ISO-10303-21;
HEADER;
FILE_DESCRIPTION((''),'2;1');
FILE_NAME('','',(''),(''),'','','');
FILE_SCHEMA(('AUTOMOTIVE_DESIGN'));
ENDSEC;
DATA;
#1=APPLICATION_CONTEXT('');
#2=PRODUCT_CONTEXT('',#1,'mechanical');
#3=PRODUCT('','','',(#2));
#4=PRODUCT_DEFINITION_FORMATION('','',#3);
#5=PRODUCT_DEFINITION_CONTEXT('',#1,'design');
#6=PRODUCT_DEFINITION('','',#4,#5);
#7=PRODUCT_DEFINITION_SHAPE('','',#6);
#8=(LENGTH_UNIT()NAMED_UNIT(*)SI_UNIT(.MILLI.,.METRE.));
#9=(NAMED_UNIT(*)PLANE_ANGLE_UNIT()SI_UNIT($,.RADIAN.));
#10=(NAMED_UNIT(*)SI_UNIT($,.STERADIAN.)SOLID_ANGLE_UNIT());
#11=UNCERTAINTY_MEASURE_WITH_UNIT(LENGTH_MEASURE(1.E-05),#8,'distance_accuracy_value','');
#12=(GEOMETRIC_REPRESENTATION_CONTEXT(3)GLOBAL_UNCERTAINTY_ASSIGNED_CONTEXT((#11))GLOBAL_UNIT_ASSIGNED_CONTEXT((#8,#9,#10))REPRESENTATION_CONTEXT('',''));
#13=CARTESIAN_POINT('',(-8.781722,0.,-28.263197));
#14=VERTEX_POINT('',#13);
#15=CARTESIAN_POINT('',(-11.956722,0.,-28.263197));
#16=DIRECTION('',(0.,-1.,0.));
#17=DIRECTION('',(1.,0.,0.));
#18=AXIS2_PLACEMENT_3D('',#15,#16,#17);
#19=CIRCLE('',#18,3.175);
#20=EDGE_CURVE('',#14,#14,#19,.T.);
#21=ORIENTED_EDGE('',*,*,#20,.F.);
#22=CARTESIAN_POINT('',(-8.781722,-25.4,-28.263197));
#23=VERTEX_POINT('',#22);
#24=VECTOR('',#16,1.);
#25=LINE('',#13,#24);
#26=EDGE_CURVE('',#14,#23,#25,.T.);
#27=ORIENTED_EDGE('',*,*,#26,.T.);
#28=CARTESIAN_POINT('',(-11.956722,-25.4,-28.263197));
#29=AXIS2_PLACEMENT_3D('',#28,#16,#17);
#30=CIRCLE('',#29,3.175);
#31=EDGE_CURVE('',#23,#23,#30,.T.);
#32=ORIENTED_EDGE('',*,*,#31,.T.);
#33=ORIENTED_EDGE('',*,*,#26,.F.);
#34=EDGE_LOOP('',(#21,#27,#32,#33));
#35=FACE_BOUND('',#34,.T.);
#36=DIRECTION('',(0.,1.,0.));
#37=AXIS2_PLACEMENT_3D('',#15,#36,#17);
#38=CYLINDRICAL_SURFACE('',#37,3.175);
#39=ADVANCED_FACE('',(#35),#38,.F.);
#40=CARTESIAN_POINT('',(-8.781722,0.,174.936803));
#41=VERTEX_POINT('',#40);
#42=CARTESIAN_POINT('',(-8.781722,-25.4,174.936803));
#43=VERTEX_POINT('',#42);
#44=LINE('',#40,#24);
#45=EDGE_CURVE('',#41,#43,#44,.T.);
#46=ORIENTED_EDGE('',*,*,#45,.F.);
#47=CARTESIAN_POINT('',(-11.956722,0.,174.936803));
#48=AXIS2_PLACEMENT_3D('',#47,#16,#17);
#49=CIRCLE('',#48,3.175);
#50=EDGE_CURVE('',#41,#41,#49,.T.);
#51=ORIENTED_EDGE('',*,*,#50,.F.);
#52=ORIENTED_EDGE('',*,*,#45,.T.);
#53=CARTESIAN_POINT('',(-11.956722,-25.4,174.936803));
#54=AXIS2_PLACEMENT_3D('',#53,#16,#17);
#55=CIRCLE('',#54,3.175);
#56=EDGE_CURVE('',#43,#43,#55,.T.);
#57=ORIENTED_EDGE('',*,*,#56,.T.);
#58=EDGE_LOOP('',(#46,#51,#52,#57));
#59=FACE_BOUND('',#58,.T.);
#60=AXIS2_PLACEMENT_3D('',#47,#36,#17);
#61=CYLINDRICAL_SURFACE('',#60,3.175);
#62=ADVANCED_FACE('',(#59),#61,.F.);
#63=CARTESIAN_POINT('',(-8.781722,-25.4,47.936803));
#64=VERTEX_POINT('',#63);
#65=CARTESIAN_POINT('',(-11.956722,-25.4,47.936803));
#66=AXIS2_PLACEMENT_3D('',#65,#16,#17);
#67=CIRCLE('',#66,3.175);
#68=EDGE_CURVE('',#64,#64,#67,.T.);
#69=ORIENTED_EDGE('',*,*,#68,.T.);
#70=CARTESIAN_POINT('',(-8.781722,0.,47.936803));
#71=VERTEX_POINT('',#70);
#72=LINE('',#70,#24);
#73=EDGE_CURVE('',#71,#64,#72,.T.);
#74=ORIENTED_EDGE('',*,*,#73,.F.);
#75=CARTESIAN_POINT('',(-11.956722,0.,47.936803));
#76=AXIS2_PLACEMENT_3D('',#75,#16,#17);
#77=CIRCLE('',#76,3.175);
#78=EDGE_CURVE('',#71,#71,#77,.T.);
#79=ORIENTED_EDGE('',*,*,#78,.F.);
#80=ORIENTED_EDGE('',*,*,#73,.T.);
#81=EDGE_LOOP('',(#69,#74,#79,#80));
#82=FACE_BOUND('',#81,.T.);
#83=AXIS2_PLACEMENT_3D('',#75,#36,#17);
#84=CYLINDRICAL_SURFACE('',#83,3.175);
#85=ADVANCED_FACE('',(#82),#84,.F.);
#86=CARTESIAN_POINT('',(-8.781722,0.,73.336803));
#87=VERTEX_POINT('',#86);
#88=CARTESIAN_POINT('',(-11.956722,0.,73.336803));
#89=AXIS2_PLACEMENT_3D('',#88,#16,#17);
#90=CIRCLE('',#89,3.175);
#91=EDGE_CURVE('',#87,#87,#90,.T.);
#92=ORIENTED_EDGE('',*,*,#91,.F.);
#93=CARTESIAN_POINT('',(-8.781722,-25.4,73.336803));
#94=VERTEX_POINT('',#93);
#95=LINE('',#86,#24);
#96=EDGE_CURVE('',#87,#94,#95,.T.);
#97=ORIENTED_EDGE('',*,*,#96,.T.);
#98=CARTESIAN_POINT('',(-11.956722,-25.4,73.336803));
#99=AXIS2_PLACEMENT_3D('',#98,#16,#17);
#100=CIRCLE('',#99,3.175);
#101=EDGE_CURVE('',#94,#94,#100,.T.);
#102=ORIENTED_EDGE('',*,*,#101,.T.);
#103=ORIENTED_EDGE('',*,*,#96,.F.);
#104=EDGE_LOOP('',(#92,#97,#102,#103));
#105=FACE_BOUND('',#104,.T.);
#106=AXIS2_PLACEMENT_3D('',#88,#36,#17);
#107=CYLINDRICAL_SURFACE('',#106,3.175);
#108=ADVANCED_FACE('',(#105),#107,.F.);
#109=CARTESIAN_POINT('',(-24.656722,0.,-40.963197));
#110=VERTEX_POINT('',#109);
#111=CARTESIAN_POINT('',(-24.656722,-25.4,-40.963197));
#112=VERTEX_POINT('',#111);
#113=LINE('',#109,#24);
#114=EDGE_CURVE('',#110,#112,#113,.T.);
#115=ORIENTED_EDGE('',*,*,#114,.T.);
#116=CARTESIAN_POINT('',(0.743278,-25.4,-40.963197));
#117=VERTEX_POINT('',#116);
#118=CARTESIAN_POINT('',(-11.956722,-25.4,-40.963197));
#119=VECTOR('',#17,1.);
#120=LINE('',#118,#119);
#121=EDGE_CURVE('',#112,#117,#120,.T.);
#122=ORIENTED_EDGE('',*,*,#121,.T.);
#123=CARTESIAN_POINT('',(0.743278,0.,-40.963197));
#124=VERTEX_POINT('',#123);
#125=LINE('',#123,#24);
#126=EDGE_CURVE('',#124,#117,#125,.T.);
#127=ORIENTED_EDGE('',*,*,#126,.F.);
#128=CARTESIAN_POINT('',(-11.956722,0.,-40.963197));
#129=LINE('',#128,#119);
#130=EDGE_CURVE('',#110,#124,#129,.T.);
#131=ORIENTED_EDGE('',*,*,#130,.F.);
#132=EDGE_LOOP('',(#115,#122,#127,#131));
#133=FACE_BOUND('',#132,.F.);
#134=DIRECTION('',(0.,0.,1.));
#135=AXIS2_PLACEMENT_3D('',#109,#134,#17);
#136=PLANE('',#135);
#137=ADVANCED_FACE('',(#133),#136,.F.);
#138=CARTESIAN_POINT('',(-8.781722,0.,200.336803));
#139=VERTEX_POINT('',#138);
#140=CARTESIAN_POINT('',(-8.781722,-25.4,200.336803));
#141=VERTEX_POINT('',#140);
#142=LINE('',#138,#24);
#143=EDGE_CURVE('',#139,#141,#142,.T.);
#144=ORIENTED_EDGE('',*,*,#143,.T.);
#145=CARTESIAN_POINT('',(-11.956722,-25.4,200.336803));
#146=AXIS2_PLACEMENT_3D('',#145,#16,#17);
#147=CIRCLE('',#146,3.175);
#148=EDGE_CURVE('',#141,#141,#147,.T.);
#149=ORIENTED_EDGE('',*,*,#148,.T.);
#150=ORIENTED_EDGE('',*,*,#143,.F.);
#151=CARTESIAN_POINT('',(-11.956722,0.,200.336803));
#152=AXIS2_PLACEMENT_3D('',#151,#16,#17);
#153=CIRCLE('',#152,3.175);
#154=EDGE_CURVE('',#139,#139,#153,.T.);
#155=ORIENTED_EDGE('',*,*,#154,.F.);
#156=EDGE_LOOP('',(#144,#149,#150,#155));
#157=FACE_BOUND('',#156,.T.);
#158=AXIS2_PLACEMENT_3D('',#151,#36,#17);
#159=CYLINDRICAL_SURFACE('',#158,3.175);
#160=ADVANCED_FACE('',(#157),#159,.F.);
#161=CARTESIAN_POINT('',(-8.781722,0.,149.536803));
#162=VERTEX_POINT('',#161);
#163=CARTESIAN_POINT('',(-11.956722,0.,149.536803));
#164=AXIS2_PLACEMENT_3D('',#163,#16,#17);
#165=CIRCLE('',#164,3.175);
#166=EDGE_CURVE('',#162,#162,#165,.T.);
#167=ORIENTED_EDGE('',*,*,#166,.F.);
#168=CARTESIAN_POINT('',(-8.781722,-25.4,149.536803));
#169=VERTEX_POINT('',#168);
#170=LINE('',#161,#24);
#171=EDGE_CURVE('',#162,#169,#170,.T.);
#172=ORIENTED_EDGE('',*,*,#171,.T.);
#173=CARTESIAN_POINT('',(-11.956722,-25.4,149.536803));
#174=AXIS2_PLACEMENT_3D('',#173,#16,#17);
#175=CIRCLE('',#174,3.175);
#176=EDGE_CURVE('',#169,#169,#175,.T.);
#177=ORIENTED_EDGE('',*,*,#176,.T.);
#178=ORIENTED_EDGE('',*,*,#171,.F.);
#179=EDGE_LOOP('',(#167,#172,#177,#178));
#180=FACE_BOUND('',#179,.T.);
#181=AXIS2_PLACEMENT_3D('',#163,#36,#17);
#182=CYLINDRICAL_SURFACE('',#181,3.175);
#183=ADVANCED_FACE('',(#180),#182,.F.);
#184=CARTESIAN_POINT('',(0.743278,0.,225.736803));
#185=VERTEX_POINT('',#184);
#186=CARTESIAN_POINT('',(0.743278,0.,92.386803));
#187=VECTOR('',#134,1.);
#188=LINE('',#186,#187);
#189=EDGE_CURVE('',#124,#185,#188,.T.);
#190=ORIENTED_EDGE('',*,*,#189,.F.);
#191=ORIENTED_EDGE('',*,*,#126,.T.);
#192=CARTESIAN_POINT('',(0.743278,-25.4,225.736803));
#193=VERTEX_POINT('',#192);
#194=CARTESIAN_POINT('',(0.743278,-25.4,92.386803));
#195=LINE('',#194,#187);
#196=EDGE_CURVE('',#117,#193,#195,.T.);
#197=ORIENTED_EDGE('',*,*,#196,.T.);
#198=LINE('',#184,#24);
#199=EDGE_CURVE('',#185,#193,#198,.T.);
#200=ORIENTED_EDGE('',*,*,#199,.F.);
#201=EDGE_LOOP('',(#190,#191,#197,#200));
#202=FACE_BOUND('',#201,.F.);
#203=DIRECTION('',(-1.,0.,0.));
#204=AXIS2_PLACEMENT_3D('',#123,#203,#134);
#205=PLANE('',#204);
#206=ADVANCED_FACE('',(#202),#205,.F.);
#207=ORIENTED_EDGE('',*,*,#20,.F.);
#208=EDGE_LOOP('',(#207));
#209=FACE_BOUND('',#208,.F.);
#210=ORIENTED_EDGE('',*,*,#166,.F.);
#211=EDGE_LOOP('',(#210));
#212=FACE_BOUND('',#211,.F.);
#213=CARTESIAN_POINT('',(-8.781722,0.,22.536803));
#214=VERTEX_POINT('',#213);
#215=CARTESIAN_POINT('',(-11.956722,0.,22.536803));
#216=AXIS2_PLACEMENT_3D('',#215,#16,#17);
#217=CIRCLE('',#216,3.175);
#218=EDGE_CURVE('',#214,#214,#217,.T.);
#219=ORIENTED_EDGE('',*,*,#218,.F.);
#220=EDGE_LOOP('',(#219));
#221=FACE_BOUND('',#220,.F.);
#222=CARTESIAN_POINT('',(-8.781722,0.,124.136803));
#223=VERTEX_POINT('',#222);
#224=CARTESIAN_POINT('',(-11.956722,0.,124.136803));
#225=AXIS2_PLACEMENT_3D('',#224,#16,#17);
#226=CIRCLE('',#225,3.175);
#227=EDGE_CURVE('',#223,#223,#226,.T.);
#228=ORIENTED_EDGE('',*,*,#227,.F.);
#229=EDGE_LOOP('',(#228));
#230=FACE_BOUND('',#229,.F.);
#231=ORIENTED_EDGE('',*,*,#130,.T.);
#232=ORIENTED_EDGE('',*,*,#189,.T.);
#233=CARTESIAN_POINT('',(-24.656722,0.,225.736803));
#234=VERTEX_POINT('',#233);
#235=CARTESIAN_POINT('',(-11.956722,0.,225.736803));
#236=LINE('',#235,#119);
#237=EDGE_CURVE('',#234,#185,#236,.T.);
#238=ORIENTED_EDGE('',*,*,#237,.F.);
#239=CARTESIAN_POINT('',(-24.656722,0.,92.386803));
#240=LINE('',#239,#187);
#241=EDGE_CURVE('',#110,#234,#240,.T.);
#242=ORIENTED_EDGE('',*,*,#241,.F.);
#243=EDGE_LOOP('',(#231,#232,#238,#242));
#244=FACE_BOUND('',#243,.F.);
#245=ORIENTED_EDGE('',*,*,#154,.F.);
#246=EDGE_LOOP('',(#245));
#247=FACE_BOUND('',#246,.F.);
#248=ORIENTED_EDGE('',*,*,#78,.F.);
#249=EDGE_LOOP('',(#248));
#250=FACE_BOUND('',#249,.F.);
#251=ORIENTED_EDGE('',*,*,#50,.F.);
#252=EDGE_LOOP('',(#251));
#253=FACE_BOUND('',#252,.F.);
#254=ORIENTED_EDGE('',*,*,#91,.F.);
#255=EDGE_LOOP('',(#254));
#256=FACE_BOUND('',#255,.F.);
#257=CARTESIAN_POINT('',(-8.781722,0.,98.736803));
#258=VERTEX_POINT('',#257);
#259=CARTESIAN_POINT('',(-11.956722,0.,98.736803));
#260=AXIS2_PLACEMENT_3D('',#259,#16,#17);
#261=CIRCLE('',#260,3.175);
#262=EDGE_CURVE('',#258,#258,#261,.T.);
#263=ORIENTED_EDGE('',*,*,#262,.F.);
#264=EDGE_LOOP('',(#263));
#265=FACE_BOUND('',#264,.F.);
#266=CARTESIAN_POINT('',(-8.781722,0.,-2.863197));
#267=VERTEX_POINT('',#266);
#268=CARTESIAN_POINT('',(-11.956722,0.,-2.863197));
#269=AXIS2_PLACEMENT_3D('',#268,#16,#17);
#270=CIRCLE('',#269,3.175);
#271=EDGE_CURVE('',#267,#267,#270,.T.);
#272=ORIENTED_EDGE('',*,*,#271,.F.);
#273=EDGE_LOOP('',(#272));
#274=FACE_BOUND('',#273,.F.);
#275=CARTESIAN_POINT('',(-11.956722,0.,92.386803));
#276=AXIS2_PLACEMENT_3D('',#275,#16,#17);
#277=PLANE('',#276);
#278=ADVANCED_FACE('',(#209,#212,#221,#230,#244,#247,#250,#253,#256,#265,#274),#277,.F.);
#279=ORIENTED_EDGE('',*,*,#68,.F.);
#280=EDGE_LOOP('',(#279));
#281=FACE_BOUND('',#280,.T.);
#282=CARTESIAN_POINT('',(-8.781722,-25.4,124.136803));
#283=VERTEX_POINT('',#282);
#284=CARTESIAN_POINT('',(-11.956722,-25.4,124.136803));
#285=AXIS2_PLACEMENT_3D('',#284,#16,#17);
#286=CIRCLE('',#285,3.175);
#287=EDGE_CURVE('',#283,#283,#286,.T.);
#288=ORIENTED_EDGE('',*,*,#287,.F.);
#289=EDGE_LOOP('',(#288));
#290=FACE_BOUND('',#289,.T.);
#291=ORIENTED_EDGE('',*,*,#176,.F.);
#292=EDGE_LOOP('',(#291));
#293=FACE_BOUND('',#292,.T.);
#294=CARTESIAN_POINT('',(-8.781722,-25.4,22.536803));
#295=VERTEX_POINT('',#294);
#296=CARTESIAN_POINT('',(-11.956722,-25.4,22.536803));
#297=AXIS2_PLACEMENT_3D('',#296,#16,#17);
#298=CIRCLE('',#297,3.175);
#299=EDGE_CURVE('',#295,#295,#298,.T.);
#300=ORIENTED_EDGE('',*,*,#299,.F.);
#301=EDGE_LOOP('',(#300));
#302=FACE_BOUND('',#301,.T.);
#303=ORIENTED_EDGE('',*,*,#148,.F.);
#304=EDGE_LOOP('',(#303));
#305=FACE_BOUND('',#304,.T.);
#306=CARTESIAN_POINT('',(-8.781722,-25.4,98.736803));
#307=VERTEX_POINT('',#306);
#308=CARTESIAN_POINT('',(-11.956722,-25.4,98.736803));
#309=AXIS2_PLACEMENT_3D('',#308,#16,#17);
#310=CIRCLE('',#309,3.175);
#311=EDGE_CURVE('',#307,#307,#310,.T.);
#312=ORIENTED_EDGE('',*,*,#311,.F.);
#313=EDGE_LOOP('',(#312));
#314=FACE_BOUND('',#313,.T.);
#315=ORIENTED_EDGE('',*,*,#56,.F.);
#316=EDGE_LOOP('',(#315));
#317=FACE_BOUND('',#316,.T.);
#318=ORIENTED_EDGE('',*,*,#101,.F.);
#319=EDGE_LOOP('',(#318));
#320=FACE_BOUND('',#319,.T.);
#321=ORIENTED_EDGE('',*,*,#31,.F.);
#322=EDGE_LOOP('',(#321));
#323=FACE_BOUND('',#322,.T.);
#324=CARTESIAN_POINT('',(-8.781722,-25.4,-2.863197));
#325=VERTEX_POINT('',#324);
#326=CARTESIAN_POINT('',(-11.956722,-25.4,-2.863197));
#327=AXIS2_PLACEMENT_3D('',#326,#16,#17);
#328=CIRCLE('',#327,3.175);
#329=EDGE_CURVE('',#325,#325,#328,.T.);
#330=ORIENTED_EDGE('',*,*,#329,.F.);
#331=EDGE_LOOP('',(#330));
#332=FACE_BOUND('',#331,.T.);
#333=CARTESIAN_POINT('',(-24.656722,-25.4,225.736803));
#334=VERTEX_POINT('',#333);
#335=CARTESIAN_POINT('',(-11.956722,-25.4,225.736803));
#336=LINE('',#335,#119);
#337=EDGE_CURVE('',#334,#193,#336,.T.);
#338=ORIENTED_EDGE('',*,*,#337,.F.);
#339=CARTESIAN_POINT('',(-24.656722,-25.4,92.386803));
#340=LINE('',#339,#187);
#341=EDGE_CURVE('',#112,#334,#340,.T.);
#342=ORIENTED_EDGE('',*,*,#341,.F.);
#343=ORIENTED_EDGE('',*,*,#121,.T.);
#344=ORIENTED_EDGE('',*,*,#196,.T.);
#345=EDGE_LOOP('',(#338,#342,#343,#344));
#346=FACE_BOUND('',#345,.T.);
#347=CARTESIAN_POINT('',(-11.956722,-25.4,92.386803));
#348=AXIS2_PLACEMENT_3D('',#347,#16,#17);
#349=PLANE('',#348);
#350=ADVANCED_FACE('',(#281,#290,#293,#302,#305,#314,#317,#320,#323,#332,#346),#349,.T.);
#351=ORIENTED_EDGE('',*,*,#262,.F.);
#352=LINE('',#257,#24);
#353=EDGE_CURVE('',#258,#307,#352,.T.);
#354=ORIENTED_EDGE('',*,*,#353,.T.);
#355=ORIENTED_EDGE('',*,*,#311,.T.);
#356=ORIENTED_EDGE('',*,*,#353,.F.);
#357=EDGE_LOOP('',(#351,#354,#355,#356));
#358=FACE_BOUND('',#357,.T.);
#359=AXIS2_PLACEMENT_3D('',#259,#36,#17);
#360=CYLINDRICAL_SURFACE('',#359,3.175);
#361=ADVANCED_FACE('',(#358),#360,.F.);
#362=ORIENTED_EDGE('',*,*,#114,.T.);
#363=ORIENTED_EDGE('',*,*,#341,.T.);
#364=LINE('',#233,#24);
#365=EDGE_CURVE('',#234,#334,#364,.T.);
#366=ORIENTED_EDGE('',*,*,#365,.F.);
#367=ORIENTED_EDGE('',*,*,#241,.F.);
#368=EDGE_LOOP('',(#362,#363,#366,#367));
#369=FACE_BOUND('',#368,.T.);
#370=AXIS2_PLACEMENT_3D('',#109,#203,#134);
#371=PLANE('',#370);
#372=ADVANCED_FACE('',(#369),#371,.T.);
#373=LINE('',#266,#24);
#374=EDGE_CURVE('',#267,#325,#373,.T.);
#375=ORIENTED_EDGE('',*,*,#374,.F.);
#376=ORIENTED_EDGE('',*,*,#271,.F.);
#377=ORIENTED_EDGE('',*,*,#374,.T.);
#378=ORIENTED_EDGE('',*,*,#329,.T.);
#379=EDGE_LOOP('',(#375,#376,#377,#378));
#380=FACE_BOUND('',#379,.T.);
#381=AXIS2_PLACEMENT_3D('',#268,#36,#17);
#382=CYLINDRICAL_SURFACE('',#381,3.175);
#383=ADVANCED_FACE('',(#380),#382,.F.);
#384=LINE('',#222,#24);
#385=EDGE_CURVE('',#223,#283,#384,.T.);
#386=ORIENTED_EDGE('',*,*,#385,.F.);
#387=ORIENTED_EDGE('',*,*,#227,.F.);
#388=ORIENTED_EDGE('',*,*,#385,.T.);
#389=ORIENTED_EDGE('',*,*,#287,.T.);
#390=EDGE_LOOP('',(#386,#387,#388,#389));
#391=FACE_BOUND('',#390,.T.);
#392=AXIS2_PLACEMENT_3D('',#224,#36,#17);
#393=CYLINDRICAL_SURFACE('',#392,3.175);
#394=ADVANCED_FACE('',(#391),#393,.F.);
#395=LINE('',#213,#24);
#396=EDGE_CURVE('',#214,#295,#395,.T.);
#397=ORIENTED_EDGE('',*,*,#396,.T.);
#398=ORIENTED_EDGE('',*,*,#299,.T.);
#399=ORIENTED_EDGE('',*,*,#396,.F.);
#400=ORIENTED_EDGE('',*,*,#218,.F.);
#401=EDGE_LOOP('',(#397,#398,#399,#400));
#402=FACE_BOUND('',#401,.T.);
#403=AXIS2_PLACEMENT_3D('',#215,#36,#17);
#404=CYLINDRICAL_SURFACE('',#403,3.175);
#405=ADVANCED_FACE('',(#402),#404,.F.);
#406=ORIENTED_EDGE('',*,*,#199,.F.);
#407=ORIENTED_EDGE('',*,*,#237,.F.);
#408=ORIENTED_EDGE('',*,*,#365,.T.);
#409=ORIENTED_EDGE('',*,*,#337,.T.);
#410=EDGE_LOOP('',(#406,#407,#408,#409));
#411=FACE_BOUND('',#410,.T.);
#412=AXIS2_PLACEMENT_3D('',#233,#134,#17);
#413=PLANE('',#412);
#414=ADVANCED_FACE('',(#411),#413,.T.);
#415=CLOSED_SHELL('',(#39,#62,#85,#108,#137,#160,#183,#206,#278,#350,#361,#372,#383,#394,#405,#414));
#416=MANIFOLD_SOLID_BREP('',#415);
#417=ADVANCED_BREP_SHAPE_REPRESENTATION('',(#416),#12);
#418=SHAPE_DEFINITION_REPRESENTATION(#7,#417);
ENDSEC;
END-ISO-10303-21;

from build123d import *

# Parameters (mm, degrees)
F0_W     = 25.4
F0_H     = 266.7
F0_R     = 3.175
F1_DEPTH = 25.4


with BuildPart() as f1:
    # F0 (on Front) → F1 (new body)
    with BuildSketch(Plane.XZ):
        with Locations((-11.956722, 92.386803)):
            Rectangle(F0_W, F0_H)
        with Locations((-11.956722, -28.263197)):
            Circle(F0_R, mode=Mode.SUBTRACT)
        with Locations((-11.956722, -2.863197)):
            Circle(F0_R, mode=Mode.SUBTRACT)
        with Locations((-11.956722, 22.536803)):
            Circle(F0_R, mode=Mode.SUBTRACT)
        with Locations((-11.956722, 47.936803)):
            Circle(F0_R, mode=Mode.SUBTRACT)
        with Locations((-11.956722, 73.336803)):
            Circle(F0_R, mode=Mode.SUBTRACT)
        with Locations((-11.956722, 98.736803)):
            Circle(F0_R, mode=Mode.SUBTRACT)
        with Locations((-11.956722, 124.136803)):
            Circle(F0_R, mode=Mode.SUBTRACT)
        with Locations((-11.956722, 149.536803)):
            Circle(F0_R, mode=Mode.SUBTRACT)
        with Locations((-11.956722, 174.936803)):
            Circle(F0_R, mode=Mode.SUBTRACT)
        with Locations((-11.956722, 200.336803)):
            Circle(F0_R, mode=Mode.SUBTRACT)
    extrude(amount=F1_DEPTH)


solid = f1.part
